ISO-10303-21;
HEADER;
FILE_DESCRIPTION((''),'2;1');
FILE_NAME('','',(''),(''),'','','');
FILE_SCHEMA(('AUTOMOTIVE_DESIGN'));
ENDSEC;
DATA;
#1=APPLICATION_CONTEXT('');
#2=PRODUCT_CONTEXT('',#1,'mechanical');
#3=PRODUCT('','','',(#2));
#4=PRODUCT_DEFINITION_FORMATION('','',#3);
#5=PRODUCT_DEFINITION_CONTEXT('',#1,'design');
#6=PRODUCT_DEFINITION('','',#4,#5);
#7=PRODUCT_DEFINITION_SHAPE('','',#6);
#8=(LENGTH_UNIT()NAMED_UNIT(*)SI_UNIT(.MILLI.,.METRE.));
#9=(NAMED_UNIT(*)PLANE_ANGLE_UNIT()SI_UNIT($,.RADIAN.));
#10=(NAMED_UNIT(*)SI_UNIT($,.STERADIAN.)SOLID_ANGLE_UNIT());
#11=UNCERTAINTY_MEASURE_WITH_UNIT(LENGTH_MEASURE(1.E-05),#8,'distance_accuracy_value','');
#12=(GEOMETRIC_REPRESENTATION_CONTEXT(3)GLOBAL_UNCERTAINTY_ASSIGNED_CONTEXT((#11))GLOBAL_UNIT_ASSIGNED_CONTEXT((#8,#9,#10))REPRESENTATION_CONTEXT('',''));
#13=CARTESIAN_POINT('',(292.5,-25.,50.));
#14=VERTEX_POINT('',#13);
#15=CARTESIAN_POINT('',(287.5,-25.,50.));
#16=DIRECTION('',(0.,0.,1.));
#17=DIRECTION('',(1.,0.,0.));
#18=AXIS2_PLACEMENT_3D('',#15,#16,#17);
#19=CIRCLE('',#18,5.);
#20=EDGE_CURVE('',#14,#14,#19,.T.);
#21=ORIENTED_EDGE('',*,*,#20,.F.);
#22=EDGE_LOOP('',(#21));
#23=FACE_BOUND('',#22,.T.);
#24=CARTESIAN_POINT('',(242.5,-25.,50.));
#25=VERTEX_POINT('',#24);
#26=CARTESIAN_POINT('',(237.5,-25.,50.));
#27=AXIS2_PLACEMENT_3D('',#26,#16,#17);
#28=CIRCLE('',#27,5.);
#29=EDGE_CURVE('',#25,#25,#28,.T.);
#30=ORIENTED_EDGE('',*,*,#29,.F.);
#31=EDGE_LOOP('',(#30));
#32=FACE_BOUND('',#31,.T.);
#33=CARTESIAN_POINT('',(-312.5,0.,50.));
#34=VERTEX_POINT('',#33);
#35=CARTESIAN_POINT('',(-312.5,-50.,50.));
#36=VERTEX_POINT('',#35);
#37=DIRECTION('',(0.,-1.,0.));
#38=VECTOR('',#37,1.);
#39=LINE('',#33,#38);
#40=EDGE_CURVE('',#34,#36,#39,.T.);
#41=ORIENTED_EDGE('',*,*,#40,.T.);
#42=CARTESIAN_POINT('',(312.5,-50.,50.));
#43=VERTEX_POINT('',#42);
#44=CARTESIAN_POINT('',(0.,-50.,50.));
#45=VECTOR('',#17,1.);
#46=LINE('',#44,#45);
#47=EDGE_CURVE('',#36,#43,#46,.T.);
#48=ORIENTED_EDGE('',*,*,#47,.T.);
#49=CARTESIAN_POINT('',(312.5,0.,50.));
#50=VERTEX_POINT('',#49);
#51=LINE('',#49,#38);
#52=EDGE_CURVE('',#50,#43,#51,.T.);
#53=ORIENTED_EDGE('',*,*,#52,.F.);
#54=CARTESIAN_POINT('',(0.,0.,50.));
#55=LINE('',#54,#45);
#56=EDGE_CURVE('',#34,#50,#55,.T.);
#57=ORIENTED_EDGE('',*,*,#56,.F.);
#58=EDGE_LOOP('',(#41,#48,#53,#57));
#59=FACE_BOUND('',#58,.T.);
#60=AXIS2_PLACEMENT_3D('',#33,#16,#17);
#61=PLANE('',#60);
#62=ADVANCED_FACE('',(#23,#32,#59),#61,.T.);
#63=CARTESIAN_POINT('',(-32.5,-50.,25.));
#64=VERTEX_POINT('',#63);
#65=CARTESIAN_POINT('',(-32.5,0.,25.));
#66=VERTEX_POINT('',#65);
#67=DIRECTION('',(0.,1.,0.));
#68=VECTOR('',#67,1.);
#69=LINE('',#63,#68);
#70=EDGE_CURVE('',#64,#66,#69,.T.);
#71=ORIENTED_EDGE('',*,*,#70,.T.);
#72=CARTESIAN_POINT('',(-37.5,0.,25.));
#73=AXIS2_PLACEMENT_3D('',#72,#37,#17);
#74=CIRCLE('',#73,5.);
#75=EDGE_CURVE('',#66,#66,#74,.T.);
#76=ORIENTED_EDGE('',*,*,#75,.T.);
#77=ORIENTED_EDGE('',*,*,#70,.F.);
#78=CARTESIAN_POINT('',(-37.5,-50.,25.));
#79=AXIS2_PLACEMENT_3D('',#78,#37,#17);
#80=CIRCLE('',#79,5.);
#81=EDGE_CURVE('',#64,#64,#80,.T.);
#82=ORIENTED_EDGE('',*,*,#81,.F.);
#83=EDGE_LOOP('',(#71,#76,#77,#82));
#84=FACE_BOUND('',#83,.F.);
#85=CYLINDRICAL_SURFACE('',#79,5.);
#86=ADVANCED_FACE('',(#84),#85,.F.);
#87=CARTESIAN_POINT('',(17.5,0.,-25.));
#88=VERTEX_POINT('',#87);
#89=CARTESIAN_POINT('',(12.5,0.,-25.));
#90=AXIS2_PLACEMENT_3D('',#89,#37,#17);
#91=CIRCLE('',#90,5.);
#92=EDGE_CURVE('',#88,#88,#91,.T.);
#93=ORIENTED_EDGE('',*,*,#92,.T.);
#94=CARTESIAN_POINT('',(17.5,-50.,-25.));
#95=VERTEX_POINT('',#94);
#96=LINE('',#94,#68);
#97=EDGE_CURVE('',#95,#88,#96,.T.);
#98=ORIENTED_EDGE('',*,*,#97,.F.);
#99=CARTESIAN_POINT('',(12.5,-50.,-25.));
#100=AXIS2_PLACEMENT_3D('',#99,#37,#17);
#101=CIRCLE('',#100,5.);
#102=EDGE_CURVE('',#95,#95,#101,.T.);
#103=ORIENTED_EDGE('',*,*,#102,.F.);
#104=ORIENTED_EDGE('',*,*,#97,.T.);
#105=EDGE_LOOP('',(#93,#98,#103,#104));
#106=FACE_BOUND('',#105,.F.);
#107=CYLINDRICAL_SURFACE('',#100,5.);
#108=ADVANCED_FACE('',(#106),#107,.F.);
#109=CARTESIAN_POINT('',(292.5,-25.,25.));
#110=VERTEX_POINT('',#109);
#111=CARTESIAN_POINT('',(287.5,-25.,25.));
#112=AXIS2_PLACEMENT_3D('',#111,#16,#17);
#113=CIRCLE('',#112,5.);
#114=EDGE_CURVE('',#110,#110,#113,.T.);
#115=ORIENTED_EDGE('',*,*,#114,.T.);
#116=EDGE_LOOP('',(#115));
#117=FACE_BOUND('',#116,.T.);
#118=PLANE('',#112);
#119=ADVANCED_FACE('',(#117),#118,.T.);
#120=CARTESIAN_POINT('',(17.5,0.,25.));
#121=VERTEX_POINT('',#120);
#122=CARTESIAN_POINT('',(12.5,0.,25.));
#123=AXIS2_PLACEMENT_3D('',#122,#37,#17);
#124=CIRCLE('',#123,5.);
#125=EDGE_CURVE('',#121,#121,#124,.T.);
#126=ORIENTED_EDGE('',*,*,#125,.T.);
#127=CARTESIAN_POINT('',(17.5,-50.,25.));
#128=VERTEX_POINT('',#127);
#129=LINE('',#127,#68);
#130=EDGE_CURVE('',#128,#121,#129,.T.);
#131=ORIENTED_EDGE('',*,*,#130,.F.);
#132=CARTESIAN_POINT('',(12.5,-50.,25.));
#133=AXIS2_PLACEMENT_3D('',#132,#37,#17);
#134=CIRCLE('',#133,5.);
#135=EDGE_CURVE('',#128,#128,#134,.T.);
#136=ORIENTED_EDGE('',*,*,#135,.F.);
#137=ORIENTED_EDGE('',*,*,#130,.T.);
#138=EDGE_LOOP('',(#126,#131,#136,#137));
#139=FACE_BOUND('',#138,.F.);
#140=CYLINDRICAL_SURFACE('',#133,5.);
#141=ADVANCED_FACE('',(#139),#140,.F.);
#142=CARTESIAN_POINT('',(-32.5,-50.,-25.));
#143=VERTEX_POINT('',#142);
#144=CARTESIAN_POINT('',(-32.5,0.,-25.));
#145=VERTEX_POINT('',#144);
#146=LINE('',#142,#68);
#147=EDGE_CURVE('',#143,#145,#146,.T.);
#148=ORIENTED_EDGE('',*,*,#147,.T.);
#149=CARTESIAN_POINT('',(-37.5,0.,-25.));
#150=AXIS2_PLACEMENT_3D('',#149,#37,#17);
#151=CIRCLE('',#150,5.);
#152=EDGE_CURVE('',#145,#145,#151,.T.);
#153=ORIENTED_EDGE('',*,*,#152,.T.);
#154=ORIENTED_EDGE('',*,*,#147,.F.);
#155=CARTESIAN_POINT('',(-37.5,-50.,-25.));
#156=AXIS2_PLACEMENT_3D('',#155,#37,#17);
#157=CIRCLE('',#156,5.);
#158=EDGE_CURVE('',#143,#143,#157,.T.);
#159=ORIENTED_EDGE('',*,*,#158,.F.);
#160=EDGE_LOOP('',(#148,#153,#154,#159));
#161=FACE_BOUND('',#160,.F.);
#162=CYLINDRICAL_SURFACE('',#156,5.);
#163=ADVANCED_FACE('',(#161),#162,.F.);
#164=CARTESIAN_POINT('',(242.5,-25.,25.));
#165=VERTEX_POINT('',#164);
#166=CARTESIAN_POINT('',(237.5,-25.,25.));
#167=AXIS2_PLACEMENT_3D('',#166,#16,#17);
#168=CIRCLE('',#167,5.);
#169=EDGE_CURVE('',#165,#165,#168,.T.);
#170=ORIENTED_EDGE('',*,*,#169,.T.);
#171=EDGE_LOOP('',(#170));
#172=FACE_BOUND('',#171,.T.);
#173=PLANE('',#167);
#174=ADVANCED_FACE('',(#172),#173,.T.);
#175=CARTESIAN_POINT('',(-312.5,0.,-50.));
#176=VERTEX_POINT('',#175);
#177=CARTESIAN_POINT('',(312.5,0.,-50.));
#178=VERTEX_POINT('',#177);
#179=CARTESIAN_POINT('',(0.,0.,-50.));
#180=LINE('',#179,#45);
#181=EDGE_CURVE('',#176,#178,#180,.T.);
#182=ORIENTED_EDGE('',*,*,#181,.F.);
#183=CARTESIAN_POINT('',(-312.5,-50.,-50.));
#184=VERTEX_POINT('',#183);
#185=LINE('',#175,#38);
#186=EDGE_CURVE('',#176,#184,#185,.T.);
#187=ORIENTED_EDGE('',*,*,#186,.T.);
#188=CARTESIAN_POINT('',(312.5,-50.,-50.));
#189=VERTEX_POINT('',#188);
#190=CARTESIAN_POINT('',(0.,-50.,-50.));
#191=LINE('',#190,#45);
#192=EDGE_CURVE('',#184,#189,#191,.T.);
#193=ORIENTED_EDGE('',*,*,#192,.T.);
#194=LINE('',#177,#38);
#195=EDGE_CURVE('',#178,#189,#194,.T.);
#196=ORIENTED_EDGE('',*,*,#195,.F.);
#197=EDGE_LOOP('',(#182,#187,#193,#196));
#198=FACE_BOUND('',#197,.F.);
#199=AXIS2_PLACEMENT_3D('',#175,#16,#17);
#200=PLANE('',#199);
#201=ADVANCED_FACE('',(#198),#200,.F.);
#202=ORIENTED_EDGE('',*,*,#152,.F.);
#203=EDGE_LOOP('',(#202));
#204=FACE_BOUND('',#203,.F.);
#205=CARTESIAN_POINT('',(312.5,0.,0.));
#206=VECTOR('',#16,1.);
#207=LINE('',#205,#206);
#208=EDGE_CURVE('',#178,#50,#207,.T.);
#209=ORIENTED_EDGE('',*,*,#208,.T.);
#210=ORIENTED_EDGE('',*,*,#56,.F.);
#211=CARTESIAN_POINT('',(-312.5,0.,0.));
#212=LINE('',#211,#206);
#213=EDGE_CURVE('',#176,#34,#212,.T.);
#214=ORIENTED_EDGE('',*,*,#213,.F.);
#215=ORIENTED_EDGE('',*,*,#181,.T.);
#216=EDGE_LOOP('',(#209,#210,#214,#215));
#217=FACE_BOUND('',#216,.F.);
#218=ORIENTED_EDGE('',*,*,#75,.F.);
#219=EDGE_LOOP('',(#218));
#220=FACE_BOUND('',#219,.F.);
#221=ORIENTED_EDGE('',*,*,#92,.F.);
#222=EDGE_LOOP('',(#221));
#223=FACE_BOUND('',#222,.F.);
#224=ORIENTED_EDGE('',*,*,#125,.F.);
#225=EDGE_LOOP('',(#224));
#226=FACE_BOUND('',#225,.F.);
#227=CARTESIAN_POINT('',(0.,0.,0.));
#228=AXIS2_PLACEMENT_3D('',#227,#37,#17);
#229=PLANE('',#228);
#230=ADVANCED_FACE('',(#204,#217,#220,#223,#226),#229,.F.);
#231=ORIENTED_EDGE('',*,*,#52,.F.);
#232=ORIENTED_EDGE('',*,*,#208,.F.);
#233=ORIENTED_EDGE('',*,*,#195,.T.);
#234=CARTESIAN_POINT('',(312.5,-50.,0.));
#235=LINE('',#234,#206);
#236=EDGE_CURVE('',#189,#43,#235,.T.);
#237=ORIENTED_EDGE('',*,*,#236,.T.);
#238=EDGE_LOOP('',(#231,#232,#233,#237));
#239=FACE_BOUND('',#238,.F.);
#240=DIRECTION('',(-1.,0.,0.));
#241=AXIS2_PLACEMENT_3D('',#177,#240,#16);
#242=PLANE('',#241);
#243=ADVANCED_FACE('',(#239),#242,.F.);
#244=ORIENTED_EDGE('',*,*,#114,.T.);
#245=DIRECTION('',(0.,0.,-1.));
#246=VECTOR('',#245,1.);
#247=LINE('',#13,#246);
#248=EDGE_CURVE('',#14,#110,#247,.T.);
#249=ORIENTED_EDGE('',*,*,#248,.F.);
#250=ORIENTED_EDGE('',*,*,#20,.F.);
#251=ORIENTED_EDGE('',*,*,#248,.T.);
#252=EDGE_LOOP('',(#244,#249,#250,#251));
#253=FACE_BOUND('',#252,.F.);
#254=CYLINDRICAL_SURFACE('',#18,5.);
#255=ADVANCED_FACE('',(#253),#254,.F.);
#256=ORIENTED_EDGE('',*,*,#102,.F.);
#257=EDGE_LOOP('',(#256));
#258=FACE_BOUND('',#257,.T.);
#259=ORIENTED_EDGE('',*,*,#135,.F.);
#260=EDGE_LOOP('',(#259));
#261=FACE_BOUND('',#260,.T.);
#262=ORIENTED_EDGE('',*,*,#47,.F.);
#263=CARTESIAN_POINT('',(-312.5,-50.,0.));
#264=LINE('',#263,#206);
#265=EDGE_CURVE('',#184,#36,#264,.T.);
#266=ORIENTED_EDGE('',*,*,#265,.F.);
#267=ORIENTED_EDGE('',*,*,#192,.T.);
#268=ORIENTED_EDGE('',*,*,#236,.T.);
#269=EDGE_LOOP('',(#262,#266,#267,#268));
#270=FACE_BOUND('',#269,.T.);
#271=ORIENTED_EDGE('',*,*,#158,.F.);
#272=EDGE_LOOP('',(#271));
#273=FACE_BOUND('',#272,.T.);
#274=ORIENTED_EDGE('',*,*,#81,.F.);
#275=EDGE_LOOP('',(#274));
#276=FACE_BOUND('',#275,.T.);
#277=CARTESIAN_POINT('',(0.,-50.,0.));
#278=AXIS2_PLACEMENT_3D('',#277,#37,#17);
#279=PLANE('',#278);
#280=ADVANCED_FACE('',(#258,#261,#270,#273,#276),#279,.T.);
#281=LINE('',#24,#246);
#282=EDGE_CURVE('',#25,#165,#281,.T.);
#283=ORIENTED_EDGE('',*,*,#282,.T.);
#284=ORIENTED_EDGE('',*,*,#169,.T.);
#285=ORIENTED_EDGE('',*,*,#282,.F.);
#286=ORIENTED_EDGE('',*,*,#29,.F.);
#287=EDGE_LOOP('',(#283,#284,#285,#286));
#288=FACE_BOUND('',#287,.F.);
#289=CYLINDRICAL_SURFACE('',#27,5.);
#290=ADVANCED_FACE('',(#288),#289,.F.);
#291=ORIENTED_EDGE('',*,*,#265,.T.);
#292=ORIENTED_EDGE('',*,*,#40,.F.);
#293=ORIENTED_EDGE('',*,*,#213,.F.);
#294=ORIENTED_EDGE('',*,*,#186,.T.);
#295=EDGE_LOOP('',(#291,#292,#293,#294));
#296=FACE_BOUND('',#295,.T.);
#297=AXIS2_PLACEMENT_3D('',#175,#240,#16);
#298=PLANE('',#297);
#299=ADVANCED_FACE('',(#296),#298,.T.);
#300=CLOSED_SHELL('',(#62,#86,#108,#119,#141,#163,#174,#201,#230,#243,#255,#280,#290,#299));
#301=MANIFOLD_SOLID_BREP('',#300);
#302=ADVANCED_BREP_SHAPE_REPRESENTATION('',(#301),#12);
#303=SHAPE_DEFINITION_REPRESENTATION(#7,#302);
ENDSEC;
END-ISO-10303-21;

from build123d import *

# Parameters (mm, degrees)
F0_W     = 625
F0_H     = 100
F1_DEPTH = 50
F2_R     = 5
F3_DEPTH = 50
F4_R     = 5
F5_DEPTH = 25


with BuildPart() as f1:
    # F0 (on Front) → F1 (new body)
    with BuildSketch(Plane.XZ):
        Rectangle(F0_W, F0_H)
    extrude(amount=F1_DEPTH)

    # F2 (on face) → F3 (cut)
    with BuildSketch(Plane.XZ.offset(50)):
        with Locations((-37.5, -25)):
            Circle(F2_R)
        with Locations((12.5, -25)):
            Circle(F2_R)
        with Locations((-37.5, 25)):
            Circle(F2_R)
        with Locations((12.5, 25)):
            Circle(F2_R)
    extrude(amount=-F3_DEPTH, mode=Mode.SUBTRACT)

    # F4 (on face) → F5 (cut)
    with BuildSketch(Plane.XY.offset(50)):
        with Locations((237.5, -25)):
            Circle(F4_R)
        with Locations((287.5, -25)):
            Circle(F4_R)
    extrude(amount=-F5_DEPTH, mode=Mode.SUBTRACT)


solid = f1.part
